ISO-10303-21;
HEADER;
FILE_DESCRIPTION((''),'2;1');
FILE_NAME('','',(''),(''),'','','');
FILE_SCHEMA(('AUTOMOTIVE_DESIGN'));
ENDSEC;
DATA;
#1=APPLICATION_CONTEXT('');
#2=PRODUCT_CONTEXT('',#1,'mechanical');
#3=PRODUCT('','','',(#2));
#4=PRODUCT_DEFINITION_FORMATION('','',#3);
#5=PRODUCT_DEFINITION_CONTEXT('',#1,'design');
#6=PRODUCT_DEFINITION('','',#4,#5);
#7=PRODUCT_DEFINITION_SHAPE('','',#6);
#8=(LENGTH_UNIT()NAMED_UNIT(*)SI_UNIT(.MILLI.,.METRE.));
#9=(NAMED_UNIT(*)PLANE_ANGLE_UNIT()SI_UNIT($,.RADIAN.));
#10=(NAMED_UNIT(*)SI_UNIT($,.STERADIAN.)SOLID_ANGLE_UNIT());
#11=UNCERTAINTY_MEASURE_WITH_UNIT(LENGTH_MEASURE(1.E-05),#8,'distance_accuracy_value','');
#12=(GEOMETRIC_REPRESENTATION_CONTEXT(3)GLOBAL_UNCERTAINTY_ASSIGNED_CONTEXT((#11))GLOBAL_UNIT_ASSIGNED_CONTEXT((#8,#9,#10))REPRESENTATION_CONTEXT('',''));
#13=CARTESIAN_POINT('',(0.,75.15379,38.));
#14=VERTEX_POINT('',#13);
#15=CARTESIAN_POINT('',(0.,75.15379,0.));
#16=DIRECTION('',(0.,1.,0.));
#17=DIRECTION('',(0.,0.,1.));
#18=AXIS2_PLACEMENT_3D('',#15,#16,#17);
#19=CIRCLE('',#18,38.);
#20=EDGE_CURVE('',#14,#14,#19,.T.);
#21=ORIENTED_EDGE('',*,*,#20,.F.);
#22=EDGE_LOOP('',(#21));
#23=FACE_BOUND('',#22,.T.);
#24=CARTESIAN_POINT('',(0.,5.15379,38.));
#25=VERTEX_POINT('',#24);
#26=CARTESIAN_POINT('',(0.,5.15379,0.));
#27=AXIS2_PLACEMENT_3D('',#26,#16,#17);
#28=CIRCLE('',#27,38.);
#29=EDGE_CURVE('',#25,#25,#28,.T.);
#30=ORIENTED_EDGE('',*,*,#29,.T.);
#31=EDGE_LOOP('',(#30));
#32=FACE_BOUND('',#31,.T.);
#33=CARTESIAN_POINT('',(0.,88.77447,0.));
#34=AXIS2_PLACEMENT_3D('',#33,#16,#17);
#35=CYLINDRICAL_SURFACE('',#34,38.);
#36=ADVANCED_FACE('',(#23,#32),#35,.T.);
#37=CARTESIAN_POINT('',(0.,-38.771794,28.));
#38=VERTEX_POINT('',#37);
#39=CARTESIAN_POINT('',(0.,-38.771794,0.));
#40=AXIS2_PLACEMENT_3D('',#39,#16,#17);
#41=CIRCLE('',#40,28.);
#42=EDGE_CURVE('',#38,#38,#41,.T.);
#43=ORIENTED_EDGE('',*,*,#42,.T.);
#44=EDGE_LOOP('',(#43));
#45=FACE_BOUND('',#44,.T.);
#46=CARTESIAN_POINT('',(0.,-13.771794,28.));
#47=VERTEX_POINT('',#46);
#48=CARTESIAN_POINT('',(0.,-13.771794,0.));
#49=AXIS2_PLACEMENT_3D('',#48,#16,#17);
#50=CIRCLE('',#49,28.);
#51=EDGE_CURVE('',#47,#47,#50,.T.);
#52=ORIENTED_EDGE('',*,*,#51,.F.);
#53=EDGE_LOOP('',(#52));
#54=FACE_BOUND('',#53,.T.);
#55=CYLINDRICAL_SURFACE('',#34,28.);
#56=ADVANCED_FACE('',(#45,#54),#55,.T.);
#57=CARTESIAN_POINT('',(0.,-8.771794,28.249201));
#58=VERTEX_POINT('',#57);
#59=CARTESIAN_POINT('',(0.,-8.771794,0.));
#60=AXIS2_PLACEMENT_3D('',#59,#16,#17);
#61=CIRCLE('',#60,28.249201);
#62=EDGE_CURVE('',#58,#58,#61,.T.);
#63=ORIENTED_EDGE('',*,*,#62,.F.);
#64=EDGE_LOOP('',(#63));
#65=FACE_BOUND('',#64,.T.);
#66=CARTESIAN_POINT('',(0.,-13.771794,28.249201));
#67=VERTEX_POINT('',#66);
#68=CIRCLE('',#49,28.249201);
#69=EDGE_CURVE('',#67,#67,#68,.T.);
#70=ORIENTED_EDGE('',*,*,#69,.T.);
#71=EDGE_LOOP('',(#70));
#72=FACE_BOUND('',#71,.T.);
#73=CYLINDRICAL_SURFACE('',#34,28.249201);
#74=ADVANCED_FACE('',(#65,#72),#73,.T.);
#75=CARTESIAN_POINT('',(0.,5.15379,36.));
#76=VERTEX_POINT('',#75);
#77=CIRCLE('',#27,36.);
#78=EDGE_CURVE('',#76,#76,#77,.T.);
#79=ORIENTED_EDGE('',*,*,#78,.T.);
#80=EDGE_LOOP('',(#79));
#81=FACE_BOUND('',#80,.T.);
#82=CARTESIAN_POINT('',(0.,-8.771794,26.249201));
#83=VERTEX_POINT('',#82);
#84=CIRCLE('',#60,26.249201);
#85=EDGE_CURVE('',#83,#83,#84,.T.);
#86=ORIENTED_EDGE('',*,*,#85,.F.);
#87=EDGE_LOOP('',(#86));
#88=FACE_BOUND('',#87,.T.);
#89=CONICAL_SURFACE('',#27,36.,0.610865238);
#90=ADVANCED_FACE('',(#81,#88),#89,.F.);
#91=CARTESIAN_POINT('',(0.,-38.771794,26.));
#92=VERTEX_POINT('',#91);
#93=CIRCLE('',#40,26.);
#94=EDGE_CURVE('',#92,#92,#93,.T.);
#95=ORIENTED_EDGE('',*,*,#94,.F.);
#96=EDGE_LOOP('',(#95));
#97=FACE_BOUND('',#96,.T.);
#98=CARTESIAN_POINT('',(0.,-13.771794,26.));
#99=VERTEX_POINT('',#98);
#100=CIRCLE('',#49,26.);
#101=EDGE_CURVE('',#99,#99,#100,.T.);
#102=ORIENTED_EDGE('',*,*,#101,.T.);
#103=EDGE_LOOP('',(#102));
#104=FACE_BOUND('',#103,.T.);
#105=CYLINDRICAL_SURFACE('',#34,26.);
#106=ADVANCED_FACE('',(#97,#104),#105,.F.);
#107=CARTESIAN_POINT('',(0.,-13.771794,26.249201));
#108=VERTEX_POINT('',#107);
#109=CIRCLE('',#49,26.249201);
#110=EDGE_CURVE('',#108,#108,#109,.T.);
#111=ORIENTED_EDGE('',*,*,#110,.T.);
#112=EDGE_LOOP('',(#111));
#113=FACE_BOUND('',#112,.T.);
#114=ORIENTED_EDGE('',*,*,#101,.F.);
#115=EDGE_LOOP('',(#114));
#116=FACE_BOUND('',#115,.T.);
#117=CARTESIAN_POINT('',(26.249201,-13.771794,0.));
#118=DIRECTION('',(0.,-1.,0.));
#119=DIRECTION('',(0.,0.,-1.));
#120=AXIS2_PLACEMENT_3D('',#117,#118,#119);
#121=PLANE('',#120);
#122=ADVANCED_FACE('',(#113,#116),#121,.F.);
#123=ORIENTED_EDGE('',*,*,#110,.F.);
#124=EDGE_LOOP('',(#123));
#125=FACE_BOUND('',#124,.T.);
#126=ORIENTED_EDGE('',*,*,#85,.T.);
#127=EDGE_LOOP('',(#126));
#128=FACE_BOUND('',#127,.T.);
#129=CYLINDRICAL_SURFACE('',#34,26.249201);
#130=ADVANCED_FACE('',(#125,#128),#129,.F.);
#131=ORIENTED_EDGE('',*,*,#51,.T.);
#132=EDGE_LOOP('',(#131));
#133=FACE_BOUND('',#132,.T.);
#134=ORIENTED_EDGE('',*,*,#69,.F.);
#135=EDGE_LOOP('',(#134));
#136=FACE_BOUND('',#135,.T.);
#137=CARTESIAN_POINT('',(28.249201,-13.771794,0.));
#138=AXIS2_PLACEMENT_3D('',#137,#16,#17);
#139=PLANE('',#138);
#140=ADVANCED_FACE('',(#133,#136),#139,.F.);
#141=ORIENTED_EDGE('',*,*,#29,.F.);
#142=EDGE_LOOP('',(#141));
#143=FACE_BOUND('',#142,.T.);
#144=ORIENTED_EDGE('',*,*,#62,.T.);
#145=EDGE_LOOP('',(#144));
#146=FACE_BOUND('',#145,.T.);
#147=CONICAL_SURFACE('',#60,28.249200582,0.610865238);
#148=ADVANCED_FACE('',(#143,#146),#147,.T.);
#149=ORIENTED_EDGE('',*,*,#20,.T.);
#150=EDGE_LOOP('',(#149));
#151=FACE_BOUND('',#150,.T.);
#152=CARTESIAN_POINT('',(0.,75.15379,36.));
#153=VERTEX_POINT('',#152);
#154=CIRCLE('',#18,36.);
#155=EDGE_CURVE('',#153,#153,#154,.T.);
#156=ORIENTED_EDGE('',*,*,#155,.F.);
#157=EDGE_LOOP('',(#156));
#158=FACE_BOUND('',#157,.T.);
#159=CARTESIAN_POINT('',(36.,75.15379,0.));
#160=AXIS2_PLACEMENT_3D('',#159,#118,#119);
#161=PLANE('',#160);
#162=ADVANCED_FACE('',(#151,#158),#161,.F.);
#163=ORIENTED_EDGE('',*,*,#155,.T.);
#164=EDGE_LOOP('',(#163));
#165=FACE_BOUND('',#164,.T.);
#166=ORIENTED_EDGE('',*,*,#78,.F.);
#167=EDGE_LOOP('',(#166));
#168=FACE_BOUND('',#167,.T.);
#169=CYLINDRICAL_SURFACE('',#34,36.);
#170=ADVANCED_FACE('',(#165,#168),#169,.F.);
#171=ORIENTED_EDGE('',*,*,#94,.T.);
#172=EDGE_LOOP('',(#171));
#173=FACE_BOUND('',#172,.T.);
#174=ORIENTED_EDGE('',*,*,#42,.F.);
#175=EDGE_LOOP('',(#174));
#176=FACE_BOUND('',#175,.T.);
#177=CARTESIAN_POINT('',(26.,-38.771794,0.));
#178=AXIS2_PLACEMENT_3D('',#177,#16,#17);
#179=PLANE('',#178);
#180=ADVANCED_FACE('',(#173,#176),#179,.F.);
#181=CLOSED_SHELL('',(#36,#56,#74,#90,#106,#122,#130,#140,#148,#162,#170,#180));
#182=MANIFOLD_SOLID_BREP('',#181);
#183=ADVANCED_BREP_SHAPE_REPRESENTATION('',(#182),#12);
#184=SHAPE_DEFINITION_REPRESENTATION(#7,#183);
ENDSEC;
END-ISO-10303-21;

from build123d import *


with BuildPart() as part:
    # Sketch1 → Revolve1 (revolve)
    with BuildSketch(Plane.XY, mode=Mode.PRIVATE) as revolve1_sk:
        Polygon((36, 75.153790368), (36, 5.153790368), (26.249200582, -8.771794385), (26.249200582, -13.771794385), (26, -13.771794385), (26, -38.771794385), (28, -38.771794385), (28, -13.771794385), (28.249200582, -13.771794385), (28.249200582, -8.771794385), (38, 5.153790368), (38, 75.153790368), align=None)
    revolve(revolve1_sk.sketch.rotate(Axis((0, 88.774470053, 0), (0, -1, 0)), 90), axis=Axis((0, 88.774470053, 0), (0, -1, 0)))


solid = part.part
